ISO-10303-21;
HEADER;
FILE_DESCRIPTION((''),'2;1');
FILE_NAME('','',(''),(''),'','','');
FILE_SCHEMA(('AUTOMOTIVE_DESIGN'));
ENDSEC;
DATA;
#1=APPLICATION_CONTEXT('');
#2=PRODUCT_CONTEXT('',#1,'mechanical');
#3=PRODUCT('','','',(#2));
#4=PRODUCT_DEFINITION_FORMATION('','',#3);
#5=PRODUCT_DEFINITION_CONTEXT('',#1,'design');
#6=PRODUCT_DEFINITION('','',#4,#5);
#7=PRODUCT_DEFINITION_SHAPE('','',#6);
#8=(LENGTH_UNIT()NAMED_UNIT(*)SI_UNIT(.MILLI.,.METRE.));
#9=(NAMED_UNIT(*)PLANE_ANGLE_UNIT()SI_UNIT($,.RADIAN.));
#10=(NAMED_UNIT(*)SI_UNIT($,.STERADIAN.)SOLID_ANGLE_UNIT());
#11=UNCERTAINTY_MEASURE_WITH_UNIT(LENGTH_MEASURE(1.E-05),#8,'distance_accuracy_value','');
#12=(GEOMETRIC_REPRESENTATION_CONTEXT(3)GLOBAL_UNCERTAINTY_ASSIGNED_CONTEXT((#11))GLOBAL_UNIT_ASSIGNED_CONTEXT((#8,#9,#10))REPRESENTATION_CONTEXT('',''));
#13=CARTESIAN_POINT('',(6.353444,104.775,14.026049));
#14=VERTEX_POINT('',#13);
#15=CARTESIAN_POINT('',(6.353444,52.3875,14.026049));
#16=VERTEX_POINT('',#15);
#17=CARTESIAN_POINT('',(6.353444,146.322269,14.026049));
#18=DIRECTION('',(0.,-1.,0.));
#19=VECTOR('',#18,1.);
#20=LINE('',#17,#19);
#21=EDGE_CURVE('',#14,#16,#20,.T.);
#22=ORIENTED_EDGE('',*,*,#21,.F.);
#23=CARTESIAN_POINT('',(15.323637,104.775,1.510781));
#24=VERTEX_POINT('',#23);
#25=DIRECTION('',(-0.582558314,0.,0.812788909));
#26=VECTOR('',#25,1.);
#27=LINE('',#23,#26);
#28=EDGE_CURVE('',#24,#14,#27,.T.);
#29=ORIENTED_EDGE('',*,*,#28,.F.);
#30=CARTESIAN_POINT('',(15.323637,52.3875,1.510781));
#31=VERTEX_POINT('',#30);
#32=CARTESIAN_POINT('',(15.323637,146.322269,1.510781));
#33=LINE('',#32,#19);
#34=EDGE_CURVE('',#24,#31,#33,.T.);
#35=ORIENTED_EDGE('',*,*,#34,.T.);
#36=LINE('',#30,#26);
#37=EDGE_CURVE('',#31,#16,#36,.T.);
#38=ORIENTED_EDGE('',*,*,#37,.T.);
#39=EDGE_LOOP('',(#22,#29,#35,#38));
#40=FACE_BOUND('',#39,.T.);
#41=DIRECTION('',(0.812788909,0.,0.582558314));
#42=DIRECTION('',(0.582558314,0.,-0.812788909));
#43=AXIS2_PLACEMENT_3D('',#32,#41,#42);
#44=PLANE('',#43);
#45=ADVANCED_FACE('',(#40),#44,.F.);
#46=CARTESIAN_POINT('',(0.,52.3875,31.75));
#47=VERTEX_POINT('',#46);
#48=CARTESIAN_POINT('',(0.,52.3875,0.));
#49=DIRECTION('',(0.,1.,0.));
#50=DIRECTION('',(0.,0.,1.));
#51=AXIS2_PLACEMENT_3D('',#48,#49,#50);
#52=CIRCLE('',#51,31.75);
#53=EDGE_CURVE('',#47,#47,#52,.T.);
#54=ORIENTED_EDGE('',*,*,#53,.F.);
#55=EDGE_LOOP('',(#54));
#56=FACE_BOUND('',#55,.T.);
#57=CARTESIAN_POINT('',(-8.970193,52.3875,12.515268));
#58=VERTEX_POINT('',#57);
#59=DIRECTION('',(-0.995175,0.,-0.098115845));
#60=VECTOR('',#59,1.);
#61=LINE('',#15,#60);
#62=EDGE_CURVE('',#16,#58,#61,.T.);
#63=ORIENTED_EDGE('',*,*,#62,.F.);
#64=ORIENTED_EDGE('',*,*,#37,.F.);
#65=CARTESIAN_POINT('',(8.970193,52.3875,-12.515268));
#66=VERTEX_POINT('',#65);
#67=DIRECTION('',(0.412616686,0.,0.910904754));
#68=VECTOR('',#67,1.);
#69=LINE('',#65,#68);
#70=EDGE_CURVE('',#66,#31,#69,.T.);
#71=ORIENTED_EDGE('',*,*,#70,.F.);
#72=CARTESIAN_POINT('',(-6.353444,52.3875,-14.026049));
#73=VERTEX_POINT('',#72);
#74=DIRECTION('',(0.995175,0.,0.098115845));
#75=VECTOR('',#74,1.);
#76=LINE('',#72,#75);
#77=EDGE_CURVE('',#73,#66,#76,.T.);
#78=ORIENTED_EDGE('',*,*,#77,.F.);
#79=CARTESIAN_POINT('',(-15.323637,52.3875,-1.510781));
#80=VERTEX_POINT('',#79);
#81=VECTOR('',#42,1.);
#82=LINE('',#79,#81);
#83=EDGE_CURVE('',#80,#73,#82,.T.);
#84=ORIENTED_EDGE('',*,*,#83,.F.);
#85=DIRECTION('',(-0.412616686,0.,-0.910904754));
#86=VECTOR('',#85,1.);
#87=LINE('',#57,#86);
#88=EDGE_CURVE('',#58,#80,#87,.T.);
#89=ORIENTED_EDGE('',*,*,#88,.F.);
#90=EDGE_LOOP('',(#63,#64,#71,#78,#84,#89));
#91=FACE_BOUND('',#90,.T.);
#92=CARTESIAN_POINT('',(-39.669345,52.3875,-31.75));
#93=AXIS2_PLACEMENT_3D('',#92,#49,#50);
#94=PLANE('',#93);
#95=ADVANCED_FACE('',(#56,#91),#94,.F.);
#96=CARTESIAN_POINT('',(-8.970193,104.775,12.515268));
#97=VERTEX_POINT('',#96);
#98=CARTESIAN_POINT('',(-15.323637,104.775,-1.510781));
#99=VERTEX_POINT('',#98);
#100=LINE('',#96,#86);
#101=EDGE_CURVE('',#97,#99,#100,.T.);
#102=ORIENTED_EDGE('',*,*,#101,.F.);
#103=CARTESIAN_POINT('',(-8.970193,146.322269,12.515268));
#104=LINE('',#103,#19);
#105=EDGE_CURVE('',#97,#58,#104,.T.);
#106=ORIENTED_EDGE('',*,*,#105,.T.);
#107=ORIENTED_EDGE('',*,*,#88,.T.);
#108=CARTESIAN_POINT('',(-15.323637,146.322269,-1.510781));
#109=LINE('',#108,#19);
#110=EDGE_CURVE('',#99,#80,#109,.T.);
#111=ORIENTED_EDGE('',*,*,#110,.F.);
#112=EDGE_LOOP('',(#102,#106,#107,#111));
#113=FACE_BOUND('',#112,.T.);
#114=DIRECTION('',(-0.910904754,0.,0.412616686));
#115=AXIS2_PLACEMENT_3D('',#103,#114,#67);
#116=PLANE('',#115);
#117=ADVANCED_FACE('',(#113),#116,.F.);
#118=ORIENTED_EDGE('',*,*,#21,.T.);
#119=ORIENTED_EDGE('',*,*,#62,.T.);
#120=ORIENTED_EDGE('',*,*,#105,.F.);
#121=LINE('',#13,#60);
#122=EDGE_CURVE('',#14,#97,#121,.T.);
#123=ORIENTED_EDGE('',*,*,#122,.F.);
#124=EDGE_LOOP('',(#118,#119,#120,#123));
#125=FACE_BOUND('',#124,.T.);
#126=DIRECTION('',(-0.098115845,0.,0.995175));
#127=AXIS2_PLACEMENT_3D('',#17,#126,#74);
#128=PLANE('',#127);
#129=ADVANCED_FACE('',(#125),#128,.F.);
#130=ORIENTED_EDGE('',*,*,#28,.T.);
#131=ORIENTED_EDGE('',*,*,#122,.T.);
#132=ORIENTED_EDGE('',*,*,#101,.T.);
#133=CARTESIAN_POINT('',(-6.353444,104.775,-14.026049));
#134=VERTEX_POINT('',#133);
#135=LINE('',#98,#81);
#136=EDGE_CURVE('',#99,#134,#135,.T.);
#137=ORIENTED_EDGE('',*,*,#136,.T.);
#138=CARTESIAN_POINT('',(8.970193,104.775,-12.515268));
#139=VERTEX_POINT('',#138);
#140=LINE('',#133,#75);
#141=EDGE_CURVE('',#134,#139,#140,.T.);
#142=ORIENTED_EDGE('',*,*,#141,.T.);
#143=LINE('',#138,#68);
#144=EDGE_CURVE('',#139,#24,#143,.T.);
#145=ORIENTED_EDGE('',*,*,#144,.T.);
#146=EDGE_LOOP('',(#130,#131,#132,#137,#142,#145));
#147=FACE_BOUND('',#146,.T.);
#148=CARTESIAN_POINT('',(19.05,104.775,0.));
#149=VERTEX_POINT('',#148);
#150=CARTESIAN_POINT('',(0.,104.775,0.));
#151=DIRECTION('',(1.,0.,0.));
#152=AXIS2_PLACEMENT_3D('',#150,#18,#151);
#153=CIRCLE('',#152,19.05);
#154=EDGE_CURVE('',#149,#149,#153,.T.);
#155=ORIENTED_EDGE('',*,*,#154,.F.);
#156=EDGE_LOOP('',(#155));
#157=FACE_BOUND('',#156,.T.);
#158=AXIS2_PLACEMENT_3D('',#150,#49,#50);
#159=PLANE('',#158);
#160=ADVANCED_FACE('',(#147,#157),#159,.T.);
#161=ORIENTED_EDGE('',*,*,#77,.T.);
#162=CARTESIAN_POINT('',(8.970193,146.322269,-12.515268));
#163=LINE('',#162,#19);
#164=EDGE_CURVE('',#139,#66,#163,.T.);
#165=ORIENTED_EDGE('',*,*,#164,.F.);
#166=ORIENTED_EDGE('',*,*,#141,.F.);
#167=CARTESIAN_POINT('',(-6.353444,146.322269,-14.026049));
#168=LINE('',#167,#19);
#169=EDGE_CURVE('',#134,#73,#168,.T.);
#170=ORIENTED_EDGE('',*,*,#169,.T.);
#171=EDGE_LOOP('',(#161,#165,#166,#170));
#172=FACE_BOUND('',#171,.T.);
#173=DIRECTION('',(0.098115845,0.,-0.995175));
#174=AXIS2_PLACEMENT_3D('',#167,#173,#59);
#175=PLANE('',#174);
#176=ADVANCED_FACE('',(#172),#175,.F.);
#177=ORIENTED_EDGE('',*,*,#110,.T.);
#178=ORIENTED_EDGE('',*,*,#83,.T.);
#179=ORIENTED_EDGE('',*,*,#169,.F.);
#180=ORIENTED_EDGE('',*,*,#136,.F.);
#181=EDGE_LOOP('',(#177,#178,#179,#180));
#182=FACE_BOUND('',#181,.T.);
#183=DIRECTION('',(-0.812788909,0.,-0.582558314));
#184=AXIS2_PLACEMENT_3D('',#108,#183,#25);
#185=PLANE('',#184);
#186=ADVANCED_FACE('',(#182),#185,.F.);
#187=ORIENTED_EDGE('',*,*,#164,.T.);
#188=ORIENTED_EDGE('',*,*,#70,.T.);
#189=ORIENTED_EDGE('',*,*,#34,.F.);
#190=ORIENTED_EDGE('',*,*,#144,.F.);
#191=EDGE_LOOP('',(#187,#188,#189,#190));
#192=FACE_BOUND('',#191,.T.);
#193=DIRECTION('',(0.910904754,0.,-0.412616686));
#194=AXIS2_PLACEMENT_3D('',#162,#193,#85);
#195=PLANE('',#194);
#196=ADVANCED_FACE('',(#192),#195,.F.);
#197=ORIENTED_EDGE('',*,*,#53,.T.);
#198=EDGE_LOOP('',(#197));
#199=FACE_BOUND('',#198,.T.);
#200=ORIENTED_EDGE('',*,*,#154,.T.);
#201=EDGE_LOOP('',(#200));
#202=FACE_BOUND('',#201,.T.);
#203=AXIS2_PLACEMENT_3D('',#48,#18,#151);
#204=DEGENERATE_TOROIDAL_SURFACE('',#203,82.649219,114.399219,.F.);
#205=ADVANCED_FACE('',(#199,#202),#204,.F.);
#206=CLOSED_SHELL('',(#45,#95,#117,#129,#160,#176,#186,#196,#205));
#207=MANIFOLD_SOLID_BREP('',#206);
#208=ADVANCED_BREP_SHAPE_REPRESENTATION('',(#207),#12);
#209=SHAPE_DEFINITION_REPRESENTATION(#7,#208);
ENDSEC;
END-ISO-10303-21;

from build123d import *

# Parameters (mm, degrees)
SKETCH1_R               = 19.05
BOSS_EXTRUDE1_DEPTH     = 104.775
CUT_EXTRUDE1_DEPTH      = 104.775
SKETCH5_W               = 79.059329342
SKETCH5_H               = 52.3875
CUT_EXTRUDE2_DEPTH      = 32.7500001
CUT_EXTRUDE2_DEPTH_BACK = 32.7500001


with BuildPart() as part:
    # Sketch1 → Boss-Extrude1 (new body)
    with BuildSketch(Plane(origin=(0, 0, 0), x_dir=(1, 0, 0), z_dir=(0, 1, 0))):
        Circle(SKETCH1_R)
    extrude(amount=BOSS_EXTRUDE1_DEPTH)

    # Sketch2 → Cut-Extrude1 (cut)
    with BuildSketch(Plane.XZ):
        Polygon((-15.323636661, -1.510781079), (-6.353443536, -14.026049167), (8.970193125, -12.515268087), (15.323636661, 1.510781079), (6.353443536, 14.026049167), (-8.970193125, 12.515268087), align=None)
    extrude(amount=-CUT_EXTRUDE1_DEPTH, mode=Mode.SUBTRACT)

    # Sketch4 → Revolve1 (revolve)
    with BuildSketch(Plane.XY):
        with BuildLine():
            Line((-19.05, 104.775), (-19.05, 0))
            ThreePointArc((-19.05, 0), (-31.75, 52.3875), (-19.05, 104.775))
        make_face()
    revolve(axis=Axis((0, 0, 0), (0, 1, 0)))

    # Sketch5 → Cut-Extrude2 (cut, two sides)
    with BuildSketch(Plane.XY) as cut_extrude2_sk:
        with Locations((-0.139680794, 26.19375)):
            Rectangle(SKETCH5_W, SKETCH5_H)
    extrude(amount=CUT_EXTRUDE2_DEPTH, mode=Mode.SUBTRACT)
    extrude(cut_extrude2_sk.sketch, amount=-CUT_EXTRUDE2_DEPTH_BACK, mode=Mode.SUBTRACT)


solid = part.part
